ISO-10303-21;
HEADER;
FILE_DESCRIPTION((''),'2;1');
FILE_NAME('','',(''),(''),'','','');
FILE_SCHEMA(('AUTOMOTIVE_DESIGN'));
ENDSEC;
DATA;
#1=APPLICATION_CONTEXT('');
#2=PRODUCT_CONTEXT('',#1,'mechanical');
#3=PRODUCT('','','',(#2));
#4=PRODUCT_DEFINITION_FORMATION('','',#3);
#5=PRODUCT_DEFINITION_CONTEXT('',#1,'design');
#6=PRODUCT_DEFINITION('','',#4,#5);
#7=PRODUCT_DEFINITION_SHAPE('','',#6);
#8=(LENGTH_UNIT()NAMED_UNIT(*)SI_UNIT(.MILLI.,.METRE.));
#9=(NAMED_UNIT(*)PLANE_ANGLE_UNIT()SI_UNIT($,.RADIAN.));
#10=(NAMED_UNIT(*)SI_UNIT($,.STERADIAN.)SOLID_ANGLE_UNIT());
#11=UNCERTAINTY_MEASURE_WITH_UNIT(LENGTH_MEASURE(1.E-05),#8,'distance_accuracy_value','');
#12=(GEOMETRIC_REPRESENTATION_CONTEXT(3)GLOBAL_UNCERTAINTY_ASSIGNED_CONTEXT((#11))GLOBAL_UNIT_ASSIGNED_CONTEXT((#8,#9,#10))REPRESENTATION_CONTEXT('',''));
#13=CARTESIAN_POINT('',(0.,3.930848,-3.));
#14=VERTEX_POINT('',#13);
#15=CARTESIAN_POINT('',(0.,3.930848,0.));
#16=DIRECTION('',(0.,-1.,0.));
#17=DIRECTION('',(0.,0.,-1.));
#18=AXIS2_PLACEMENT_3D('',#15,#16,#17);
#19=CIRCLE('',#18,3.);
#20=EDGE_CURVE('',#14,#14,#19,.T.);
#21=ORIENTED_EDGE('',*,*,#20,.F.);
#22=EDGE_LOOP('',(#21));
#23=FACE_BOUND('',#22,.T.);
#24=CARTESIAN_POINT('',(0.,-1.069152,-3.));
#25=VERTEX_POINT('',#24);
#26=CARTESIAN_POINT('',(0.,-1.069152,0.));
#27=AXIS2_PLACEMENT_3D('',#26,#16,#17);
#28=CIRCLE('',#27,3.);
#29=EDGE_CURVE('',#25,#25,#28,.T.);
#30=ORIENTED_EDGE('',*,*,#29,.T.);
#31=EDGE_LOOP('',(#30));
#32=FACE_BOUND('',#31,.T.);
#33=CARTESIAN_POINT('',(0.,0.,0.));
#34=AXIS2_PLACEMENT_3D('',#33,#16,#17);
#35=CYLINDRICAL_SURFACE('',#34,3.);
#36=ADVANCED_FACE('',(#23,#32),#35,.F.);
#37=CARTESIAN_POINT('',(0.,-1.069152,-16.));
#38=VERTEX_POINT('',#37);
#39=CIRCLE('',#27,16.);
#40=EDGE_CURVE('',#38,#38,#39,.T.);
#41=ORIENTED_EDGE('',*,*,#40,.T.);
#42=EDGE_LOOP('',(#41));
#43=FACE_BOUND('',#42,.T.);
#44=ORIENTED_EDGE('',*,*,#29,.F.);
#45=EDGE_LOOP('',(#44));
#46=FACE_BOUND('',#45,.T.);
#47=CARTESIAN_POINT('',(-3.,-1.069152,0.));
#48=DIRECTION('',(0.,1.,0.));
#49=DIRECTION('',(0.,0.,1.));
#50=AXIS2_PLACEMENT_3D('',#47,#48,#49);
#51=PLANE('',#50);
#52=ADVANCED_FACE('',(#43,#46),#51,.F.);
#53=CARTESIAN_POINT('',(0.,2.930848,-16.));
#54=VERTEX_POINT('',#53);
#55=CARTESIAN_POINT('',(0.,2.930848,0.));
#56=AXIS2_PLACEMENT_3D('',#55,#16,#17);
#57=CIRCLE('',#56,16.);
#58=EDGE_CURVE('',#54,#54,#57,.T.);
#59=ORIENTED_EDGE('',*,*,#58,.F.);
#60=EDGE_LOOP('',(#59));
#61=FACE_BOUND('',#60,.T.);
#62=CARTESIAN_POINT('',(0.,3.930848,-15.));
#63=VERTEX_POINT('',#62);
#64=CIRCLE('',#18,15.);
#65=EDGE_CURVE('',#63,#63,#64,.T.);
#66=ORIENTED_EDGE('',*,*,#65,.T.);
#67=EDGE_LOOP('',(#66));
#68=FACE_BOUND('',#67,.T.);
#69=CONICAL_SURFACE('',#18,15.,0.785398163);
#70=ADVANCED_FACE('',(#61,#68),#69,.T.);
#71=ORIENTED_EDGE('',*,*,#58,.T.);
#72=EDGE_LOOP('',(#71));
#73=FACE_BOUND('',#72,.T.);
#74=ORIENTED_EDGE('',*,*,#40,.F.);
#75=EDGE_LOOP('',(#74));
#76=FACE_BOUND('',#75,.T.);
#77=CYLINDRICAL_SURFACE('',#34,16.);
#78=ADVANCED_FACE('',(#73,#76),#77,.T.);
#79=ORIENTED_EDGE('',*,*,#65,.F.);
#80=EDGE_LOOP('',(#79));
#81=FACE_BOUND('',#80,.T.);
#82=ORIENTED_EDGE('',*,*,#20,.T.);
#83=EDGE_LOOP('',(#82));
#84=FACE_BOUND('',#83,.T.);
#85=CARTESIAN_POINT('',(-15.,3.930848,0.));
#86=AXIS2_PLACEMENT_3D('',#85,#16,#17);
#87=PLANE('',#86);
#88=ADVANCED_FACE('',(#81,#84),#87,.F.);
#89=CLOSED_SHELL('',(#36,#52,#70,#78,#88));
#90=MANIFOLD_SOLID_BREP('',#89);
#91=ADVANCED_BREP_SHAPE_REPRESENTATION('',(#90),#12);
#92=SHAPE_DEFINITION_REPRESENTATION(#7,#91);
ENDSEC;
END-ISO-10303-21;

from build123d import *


with BuildPart() as part:
    # Эскиз1 → Повернуть1 (revolve)
    with BuildSketch(Plane.XY, mode=Mode.PRIVATE) as revolve_1_sk:
        Polygon((-3, -1.069151648), (-16, -1.069151648), (-16, 2.930848352), (-15, 3.930848352), (-3, 3.930848352), align=None)
    revolve(revolve_1_sk.sketch.rotate(Axis((0, 0, 0), (0, 1, 0)), 270), axis=Axis((0, 0, 0), (0, 1, 0)))


solid = part.part
